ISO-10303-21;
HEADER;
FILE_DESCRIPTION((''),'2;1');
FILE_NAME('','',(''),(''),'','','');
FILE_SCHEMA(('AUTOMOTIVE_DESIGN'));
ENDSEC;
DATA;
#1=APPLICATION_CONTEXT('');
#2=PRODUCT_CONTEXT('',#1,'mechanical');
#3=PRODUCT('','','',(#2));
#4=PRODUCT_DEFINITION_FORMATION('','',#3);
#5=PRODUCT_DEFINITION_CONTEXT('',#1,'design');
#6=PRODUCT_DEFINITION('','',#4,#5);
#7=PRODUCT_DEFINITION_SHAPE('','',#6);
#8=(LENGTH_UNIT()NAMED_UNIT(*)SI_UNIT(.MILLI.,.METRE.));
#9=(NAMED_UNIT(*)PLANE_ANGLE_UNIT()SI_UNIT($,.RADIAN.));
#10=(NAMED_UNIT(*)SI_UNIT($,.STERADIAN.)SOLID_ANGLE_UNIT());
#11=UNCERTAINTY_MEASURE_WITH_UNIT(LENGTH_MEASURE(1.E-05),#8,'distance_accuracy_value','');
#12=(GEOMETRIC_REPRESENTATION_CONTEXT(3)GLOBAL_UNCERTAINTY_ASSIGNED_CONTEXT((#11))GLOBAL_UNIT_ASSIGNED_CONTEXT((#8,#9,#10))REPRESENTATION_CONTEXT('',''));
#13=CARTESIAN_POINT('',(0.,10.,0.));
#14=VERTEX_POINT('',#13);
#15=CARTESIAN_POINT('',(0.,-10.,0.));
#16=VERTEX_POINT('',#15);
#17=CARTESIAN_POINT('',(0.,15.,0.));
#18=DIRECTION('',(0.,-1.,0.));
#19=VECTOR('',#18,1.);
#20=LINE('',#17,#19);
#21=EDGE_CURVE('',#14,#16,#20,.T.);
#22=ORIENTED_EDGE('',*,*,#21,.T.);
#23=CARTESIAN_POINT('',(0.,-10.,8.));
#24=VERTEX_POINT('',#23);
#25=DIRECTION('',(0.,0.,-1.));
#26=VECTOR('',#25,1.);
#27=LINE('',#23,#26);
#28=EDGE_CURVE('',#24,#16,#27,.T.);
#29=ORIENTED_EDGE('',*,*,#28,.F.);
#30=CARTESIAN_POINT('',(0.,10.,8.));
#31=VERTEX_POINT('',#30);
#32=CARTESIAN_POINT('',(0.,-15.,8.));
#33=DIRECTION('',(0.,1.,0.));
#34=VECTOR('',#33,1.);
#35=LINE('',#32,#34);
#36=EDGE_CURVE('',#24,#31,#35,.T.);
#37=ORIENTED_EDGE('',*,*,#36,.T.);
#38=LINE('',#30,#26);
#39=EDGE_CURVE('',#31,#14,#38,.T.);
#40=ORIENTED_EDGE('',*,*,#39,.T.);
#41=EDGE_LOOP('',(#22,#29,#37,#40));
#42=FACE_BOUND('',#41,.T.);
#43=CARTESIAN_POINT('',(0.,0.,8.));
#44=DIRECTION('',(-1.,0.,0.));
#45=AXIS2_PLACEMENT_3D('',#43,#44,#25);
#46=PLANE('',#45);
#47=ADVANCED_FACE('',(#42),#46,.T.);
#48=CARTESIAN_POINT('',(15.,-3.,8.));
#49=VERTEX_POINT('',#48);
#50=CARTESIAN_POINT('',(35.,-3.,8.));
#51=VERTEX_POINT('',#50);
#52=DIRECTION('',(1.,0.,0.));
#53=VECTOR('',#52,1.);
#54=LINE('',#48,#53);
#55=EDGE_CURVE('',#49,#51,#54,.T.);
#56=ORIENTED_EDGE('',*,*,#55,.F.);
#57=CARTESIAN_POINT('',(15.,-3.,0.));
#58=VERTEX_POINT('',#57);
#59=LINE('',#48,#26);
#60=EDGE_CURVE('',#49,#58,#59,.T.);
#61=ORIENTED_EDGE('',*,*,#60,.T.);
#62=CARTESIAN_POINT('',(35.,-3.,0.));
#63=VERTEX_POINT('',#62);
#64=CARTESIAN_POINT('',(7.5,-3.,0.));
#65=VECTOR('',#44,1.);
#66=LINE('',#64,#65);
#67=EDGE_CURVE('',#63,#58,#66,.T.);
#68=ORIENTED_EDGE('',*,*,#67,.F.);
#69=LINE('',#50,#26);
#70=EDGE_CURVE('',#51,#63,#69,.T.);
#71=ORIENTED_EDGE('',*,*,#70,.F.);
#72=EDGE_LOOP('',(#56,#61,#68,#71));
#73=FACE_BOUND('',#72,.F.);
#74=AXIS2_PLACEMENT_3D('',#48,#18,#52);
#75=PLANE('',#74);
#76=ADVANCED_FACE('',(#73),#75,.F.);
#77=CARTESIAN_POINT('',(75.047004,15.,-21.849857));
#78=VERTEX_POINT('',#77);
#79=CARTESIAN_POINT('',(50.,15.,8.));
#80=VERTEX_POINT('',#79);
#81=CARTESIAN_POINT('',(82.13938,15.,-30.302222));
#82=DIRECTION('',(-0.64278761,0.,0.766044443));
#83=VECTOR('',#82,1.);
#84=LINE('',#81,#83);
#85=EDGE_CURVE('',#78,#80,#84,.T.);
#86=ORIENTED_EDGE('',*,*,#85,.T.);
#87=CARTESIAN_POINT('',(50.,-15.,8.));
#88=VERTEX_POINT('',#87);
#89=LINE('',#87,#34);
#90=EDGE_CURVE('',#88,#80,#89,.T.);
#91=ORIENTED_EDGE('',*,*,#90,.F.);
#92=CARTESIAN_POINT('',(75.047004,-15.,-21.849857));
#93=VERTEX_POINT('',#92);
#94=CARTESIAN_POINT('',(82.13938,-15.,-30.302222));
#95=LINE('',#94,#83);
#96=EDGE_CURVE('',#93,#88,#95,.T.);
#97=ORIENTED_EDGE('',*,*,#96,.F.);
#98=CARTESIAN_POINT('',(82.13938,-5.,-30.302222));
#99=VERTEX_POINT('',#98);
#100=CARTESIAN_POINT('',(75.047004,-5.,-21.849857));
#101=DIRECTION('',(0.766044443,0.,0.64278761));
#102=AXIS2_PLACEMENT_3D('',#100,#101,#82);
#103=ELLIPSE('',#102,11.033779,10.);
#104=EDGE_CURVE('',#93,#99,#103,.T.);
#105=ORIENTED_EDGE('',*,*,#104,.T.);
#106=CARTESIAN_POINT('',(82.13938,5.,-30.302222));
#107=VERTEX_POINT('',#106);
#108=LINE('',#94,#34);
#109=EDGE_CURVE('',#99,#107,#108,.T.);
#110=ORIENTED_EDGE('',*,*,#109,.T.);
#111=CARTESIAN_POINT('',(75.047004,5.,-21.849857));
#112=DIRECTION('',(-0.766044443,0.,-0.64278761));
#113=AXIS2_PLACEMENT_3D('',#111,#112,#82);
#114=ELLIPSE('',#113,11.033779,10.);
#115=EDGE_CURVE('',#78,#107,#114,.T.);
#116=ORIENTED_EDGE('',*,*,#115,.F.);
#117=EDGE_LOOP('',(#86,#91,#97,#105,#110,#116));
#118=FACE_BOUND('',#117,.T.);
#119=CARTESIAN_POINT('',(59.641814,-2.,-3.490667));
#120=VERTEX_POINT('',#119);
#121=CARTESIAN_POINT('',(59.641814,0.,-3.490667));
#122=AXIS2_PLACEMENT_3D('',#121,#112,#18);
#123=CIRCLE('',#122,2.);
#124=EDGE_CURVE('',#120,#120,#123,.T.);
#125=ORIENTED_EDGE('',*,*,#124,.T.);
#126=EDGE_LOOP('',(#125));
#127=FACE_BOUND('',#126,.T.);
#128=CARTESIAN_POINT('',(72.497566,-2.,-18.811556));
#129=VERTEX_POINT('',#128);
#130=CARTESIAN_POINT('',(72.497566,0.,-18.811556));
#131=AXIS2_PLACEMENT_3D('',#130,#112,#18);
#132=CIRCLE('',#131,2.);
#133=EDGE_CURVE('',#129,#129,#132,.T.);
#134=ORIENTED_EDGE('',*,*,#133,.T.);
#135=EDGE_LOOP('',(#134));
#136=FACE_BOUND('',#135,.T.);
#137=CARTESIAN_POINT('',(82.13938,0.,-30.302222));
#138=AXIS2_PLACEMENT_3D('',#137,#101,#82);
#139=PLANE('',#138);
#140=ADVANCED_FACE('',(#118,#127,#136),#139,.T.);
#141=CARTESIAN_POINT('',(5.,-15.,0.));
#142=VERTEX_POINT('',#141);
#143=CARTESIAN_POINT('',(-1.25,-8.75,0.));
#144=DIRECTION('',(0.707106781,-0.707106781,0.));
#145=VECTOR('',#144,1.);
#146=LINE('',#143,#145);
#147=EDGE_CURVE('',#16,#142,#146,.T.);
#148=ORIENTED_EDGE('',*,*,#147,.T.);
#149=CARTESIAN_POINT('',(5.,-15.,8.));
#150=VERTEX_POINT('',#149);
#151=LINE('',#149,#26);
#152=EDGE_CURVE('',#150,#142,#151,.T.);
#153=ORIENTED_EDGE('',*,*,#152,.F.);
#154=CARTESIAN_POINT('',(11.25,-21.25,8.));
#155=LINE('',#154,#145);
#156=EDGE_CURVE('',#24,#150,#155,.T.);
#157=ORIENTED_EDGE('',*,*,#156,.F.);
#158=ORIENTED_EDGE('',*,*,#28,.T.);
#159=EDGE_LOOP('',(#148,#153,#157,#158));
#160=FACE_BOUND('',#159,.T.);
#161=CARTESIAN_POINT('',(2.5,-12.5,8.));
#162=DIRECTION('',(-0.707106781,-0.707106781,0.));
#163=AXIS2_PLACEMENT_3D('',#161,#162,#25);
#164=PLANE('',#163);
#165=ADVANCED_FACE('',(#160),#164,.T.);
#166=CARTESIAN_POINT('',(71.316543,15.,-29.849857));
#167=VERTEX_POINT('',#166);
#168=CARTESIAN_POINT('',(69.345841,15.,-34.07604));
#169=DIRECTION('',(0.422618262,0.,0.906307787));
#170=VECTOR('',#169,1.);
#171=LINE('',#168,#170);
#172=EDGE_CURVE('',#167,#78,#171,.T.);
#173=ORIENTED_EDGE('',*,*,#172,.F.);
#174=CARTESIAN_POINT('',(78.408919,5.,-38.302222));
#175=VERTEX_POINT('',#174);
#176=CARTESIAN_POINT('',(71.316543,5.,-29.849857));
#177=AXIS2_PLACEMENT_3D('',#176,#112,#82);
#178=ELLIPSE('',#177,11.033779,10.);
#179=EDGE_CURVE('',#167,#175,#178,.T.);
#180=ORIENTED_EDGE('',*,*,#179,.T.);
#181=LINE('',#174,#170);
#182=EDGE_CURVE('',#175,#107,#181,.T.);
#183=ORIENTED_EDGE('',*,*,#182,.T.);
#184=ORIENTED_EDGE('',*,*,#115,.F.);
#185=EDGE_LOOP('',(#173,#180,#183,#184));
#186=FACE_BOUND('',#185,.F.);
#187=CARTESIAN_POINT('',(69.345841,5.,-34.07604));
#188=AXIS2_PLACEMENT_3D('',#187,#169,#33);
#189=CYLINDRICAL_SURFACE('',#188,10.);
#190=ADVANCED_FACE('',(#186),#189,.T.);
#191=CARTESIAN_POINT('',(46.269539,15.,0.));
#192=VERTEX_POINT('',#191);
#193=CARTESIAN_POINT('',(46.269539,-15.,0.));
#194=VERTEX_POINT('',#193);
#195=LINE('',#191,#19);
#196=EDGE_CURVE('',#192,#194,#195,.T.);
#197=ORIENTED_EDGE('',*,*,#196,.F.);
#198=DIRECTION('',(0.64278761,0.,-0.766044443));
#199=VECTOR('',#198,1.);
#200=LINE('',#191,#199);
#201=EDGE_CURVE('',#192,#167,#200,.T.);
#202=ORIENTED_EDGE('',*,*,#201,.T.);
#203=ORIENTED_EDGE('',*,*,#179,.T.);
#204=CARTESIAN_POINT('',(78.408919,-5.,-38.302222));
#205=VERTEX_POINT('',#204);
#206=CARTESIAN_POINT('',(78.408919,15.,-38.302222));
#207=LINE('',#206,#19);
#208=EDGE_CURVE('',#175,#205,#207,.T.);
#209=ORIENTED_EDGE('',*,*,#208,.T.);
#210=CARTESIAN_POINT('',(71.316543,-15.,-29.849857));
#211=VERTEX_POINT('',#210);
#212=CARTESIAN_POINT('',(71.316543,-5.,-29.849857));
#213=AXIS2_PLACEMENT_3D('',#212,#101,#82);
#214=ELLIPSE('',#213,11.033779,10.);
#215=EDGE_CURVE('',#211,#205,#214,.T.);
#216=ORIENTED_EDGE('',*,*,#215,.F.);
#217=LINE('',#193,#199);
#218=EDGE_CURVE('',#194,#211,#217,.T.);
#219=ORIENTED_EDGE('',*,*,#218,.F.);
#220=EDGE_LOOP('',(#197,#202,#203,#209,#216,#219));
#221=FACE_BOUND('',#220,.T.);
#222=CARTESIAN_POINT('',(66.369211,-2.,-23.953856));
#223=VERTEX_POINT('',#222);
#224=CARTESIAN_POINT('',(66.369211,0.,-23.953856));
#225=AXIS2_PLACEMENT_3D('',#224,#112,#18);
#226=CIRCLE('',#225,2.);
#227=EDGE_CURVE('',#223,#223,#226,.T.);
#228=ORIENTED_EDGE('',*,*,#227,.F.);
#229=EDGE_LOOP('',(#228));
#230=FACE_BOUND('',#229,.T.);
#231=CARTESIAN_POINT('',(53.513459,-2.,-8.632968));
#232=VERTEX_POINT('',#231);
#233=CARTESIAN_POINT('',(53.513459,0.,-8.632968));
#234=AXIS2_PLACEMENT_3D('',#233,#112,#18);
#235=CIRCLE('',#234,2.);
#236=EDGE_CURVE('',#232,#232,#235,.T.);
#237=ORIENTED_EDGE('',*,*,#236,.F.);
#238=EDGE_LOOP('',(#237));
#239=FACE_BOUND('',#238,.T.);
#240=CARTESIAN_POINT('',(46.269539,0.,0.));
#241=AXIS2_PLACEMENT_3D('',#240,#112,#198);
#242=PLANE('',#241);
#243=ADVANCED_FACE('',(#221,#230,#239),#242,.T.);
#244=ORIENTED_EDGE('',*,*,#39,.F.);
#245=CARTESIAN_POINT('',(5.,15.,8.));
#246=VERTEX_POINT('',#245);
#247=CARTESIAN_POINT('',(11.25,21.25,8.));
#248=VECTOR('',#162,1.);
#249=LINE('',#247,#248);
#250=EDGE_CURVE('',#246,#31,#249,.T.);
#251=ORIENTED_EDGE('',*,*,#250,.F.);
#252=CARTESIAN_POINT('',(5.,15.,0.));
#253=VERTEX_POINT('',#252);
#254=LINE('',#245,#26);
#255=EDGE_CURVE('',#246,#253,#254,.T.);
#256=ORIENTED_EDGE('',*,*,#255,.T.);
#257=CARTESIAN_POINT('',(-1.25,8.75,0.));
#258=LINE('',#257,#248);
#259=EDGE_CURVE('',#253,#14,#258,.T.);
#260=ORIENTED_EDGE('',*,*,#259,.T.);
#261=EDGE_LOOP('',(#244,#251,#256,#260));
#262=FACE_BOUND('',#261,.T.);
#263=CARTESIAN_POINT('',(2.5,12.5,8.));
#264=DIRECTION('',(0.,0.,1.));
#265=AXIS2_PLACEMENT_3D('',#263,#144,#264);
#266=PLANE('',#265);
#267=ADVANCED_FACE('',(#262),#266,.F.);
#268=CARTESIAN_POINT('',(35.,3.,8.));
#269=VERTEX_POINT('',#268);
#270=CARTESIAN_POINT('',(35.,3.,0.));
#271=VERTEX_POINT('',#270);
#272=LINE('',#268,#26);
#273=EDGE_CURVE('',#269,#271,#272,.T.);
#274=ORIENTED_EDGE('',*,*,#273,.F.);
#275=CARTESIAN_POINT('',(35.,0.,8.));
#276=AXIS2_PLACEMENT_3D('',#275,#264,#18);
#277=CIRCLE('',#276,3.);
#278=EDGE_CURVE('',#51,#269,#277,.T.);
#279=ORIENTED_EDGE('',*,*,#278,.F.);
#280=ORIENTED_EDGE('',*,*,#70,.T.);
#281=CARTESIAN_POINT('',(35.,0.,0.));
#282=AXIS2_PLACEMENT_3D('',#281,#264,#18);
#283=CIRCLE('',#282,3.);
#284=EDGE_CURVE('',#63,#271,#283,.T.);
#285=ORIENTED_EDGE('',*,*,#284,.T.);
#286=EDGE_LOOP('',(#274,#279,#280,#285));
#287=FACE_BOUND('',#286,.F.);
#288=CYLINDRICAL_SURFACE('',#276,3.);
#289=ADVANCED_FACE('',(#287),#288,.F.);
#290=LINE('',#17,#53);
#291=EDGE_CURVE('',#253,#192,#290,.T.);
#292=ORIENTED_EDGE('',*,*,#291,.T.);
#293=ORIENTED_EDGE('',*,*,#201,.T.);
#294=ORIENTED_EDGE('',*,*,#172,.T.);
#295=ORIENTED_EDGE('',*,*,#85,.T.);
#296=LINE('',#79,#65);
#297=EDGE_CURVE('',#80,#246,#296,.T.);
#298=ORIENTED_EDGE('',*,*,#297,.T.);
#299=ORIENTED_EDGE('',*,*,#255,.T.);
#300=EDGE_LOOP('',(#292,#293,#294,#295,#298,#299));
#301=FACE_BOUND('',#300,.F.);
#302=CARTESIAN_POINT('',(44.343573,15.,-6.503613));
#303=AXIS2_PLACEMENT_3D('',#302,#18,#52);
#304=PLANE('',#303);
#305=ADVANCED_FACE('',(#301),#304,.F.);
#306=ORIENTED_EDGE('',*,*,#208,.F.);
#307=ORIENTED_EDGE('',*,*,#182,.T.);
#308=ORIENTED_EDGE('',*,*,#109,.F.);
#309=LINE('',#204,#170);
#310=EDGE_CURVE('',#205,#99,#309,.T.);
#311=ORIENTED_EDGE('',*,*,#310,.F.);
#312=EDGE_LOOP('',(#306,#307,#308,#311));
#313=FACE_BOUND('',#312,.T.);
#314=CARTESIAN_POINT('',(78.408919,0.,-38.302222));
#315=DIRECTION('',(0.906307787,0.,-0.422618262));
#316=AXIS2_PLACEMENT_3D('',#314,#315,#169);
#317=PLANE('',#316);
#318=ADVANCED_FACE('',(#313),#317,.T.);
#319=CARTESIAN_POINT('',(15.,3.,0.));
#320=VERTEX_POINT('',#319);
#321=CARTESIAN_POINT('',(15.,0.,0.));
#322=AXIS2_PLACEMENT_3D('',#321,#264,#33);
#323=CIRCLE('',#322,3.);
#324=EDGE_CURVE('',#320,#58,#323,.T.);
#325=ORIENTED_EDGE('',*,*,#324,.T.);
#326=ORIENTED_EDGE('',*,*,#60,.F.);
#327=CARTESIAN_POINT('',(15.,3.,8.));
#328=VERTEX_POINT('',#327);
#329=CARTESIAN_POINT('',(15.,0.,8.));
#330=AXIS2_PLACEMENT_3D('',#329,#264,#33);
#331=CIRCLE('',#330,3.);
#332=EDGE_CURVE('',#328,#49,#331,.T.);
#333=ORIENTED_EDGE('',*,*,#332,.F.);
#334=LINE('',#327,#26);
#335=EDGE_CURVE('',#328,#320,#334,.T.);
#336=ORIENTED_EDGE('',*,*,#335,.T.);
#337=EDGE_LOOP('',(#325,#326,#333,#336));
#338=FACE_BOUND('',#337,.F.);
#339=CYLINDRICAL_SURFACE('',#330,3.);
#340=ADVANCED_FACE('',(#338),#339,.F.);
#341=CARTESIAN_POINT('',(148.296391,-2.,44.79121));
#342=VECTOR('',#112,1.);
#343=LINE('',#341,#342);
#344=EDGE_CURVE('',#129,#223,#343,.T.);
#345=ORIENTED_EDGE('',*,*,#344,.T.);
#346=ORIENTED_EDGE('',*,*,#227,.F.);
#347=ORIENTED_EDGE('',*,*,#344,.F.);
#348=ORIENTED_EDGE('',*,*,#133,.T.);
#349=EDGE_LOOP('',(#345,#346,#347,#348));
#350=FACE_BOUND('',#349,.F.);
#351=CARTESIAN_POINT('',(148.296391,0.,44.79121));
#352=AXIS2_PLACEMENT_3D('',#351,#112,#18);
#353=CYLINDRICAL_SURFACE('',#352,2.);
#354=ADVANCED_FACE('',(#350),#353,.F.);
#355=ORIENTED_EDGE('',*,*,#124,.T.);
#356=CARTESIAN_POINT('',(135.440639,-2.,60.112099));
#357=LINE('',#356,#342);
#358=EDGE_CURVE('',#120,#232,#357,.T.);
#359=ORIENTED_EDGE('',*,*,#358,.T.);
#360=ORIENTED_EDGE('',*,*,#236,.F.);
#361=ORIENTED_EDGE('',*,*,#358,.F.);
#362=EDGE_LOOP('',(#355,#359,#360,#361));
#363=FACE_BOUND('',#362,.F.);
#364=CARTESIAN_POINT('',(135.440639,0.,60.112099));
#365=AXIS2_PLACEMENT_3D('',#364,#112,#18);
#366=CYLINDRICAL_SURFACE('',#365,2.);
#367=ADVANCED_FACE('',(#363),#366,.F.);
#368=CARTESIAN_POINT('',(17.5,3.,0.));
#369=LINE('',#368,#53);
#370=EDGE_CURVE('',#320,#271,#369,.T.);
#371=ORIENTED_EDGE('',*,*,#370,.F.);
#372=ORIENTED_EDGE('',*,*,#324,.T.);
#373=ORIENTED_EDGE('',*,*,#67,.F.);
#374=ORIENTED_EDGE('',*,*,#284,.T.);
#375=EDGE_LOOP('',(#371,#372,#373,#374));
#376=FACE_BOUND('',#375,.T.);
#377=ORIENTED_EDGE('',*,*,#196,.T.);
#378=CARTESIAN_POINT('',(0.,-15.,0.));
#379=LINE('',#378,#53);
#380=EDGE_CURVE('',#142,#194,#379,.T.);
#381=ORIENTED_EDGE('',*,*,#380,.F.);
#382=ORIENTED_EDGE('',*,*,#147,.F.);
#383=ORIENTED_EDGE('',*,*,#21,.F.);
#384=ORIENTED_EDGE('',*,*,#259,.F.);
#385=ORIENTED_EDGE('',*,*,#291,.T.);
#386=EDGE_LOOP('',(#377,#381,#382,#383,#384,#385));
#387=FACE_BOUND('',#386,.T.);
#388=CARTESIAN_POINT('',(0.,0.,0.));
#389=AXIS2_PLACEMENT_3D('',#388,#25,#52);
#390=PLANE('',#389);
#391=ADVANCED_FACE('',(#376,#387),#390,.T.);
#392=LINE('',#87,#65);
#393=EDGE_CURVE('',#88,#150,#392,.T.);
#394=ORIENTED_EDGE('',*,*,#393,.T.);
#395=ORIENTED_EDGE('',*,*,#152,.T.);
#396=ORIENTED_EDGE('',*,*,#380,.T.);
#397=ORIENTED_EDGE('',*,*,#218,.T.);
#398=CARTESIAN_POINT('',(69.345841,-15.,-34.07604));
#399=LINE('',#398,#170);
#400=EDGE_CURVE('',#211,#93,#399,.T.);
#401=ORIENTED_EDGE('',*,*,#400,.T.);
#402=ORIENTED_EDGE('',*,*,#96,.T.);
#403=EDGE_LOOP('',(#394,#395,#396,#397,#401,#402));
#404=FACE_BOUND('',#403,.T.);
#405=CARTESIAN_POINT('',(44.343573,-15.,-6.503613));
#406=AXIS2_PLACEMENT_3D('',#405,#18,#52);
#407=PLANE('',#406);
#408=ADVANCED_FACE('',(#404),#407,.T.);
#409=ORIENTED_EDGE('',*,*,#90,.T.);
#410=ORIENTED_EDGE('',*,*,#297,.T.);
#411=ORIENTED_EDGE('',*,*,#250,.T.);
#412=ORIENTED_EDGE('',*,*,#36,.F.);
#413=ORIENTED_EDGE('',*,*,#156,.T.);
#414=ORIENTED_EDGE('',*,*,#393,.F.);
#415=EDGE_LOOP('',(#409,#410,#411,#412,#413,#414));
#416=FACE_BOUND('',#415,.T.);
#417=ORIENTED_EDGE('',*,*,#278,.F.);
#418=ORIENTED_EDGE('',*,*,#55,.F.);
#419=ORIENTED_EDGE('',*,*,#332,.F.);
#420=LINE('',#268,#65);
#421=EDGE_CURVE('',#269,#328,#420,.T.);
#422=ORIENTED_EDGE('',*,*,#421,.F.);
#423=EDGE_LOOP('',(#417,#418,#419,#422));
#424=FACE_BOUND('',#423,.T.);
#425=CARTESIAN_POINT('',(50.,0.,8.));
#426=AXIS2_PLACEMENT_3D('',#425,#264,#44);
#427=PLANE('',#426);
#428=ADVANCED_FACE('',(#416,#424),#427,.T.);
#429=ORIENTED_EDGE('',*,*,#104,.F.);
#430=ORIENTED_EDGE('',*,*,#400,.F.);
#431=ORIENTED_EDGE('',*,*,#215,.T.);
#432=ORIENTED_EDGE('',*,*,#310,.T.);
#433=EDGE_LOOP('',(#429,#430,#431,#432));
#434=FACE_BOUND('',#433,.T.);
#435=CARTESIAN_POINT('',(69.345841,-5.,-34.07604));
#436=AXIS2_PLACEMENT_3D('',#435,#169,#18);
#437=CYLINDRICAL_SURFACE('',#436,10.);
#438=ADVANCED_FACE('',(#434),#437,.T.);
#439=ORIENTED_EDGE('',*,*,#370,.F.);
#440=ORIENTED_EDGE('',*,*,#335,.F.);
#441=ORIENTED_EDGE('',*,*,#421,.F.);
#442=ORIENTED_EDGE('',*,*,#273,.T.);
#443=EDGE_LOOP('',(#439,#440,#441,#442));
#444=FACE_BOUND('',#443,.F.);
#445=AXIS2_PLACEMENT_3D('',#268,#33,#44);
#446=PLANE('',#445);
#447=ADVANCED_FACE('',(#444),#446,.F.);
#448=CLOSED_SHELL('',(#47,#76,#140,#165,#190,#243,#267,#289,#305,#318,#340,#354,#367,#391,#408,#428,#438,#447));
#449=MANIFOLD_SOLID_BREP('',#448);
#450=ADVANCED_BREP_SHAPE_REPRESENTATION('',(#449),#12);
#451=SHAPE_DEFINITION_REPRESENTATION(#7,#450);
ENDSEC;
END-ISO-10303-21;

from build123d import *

# Parameters (mm, degrees)
F1_DEPTH = 15
F3_DEPTH = 46.3032221559
F5_D     = 4
F6_R     = 10
F7_SIZE  = 5


with BuildPart() as f1:
    # F0 (on Front) → F1 (new body, symmetric)
    with BuildSketch(Plane.XZ):
        Polygon((0, 8), (0, 0), (46.2695387348, 0), (78.4089192191, -38.3022221559), (82.1393804843, -30.3022221559), (50, 8), align=None)
    extrude(amount=F1_DEPTH, both=True)

    # F2 (on face) → F3 (cut, through all)
    with BuildSketch(Plane.XY.offset(8)):
        with BuildLine():
            ThreePointArc((15, 3), (12, 0), (15, -3))
            Line((15, -3), (35, -3))
            ThreePointArc((35, -3), (38, 0), (35, 3))
            Line((35, 3), (15, 3))
        make_face()
    extrude(amount=-F3_DEPTH, mode=Mode.SUBTRACT)

    # F5 (through all)
    with Locations(Plane(origin=(33.2804354537, 0, 27.9256011146), x_dir=(0, 1, 0), z_dir=(0.7660444431, 0, 0.6427876097))):
        with Locations((0, -41.0110249394), (0, -61.0110249394)):
            Hole(F5_D / 2)

    # F6
    f6_edges = [f1.edges().sort_by_distance(p)[0] for p in [
        (80.27415, -15, -34.302222),
        (80.27415, 15, -34.302222),
    ]]
    fillet(f6_edges, radius=F6_R)

    # F7
    f7_edges = [f1.edges().sort_by_distance(p)[0] for p in [
        (0, 15, 4),
        (0, -15, 4),
    ]]
    chamfer(f7_edges, length=F7_SIZE)


solid = f1.part
